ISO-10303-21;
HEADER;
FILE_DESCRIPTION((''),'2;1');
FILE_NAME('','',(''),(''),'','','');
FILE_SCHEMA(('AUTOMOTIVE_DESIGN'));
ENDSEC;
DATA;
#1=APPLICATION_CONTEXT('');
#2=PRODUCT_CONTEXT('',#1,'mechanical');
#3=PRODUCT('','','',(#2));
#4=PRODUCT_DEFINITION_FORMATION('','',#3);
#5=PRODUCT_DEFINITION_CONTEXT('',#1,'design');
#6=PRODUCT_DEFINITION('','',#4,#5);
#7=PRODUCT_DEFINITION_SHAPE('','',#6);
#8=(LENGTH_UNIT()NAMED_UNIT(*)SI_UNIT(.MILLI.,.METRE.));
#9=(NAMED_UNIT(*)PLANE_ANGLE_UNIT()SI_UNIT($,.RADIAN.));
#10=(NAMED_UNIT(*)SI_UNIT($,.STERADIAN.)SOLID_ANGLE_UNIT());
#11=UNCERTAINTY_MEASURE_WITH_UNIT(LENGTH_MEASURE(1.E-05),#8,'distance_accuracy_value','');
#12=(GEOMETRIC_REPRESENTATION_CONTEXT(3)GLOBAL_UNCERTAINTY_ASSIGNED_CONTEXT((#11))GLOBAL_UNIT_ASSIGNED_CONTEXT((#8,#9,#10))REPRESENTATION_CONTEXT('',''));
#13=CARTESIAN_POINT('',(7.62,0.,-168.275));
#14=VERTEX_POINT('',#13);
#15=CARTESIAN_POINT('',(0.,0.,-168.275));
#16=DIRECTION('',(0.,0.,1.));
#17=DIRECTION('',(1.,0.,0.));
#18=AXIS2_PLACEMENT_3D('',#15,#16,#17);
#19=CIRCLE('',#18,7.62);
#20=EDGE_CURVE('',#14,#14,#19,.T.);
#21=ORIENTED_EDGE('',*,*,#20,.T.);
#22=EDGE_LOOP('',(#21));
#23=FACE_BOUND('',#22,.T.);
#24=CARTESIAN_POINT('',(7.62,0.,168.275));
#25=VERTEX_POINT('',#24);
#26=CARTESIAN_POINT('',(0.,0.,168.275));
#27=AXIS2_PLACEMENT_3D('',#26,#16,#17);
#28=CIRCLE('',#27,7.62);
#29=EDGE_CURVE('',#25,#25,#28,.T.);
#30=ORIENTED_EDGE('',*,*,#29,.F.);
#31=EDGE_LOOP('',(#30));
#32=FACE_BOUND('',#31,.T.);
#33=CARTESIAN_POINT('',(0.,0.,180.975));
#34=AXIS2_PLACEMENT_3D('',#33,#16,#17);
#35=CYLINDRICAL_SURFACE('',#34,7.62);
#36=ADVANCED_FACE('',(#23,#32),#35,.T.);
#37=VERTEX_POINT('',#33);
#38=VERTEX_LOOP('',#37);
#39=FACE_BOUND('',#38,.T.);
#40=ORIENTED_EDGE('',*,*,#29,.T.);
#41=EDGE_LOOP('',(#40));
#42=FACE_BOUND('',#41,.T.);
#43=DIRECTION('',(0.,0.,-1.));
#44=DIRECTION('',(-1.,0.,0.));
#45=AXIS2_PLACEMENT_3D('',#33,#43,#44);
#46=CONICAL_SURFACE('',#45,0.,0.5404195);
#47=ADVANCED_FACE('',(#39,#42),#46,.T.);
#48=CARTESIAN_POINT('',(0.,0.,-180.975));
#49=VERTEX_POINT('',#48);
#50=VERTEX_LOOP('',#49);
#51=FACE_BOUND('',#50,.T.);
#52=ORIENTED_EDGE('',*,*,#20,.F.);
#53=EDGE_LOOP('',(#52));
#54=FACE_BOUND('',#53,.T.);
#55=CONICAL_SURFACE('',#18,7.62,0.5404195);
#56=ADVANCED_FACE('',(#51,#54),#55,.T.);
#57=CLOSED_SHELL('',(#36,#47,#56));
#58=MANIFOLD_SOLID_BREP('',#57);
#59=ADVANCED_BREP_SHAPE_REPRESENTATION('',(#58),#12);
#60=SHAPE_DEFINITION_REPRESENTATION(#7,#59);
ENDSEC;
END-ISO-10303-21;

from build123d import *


with BuildPart() as part:
    # Sketch2 → Revolve1 (revolve)
    with BuildSketch(Plane(origin=(0, 0, 0), x_dir=(1, 0, 0), z_dir=(0, 1, 0))):
        Polygon((7.62, 168.275), (7.62, -168.275), (0, -180.975), (0, 180.975), align=None)
    revolve(axis=Axis((0, 0, 180.975), (0, 0, -1)))


solid = part.part
